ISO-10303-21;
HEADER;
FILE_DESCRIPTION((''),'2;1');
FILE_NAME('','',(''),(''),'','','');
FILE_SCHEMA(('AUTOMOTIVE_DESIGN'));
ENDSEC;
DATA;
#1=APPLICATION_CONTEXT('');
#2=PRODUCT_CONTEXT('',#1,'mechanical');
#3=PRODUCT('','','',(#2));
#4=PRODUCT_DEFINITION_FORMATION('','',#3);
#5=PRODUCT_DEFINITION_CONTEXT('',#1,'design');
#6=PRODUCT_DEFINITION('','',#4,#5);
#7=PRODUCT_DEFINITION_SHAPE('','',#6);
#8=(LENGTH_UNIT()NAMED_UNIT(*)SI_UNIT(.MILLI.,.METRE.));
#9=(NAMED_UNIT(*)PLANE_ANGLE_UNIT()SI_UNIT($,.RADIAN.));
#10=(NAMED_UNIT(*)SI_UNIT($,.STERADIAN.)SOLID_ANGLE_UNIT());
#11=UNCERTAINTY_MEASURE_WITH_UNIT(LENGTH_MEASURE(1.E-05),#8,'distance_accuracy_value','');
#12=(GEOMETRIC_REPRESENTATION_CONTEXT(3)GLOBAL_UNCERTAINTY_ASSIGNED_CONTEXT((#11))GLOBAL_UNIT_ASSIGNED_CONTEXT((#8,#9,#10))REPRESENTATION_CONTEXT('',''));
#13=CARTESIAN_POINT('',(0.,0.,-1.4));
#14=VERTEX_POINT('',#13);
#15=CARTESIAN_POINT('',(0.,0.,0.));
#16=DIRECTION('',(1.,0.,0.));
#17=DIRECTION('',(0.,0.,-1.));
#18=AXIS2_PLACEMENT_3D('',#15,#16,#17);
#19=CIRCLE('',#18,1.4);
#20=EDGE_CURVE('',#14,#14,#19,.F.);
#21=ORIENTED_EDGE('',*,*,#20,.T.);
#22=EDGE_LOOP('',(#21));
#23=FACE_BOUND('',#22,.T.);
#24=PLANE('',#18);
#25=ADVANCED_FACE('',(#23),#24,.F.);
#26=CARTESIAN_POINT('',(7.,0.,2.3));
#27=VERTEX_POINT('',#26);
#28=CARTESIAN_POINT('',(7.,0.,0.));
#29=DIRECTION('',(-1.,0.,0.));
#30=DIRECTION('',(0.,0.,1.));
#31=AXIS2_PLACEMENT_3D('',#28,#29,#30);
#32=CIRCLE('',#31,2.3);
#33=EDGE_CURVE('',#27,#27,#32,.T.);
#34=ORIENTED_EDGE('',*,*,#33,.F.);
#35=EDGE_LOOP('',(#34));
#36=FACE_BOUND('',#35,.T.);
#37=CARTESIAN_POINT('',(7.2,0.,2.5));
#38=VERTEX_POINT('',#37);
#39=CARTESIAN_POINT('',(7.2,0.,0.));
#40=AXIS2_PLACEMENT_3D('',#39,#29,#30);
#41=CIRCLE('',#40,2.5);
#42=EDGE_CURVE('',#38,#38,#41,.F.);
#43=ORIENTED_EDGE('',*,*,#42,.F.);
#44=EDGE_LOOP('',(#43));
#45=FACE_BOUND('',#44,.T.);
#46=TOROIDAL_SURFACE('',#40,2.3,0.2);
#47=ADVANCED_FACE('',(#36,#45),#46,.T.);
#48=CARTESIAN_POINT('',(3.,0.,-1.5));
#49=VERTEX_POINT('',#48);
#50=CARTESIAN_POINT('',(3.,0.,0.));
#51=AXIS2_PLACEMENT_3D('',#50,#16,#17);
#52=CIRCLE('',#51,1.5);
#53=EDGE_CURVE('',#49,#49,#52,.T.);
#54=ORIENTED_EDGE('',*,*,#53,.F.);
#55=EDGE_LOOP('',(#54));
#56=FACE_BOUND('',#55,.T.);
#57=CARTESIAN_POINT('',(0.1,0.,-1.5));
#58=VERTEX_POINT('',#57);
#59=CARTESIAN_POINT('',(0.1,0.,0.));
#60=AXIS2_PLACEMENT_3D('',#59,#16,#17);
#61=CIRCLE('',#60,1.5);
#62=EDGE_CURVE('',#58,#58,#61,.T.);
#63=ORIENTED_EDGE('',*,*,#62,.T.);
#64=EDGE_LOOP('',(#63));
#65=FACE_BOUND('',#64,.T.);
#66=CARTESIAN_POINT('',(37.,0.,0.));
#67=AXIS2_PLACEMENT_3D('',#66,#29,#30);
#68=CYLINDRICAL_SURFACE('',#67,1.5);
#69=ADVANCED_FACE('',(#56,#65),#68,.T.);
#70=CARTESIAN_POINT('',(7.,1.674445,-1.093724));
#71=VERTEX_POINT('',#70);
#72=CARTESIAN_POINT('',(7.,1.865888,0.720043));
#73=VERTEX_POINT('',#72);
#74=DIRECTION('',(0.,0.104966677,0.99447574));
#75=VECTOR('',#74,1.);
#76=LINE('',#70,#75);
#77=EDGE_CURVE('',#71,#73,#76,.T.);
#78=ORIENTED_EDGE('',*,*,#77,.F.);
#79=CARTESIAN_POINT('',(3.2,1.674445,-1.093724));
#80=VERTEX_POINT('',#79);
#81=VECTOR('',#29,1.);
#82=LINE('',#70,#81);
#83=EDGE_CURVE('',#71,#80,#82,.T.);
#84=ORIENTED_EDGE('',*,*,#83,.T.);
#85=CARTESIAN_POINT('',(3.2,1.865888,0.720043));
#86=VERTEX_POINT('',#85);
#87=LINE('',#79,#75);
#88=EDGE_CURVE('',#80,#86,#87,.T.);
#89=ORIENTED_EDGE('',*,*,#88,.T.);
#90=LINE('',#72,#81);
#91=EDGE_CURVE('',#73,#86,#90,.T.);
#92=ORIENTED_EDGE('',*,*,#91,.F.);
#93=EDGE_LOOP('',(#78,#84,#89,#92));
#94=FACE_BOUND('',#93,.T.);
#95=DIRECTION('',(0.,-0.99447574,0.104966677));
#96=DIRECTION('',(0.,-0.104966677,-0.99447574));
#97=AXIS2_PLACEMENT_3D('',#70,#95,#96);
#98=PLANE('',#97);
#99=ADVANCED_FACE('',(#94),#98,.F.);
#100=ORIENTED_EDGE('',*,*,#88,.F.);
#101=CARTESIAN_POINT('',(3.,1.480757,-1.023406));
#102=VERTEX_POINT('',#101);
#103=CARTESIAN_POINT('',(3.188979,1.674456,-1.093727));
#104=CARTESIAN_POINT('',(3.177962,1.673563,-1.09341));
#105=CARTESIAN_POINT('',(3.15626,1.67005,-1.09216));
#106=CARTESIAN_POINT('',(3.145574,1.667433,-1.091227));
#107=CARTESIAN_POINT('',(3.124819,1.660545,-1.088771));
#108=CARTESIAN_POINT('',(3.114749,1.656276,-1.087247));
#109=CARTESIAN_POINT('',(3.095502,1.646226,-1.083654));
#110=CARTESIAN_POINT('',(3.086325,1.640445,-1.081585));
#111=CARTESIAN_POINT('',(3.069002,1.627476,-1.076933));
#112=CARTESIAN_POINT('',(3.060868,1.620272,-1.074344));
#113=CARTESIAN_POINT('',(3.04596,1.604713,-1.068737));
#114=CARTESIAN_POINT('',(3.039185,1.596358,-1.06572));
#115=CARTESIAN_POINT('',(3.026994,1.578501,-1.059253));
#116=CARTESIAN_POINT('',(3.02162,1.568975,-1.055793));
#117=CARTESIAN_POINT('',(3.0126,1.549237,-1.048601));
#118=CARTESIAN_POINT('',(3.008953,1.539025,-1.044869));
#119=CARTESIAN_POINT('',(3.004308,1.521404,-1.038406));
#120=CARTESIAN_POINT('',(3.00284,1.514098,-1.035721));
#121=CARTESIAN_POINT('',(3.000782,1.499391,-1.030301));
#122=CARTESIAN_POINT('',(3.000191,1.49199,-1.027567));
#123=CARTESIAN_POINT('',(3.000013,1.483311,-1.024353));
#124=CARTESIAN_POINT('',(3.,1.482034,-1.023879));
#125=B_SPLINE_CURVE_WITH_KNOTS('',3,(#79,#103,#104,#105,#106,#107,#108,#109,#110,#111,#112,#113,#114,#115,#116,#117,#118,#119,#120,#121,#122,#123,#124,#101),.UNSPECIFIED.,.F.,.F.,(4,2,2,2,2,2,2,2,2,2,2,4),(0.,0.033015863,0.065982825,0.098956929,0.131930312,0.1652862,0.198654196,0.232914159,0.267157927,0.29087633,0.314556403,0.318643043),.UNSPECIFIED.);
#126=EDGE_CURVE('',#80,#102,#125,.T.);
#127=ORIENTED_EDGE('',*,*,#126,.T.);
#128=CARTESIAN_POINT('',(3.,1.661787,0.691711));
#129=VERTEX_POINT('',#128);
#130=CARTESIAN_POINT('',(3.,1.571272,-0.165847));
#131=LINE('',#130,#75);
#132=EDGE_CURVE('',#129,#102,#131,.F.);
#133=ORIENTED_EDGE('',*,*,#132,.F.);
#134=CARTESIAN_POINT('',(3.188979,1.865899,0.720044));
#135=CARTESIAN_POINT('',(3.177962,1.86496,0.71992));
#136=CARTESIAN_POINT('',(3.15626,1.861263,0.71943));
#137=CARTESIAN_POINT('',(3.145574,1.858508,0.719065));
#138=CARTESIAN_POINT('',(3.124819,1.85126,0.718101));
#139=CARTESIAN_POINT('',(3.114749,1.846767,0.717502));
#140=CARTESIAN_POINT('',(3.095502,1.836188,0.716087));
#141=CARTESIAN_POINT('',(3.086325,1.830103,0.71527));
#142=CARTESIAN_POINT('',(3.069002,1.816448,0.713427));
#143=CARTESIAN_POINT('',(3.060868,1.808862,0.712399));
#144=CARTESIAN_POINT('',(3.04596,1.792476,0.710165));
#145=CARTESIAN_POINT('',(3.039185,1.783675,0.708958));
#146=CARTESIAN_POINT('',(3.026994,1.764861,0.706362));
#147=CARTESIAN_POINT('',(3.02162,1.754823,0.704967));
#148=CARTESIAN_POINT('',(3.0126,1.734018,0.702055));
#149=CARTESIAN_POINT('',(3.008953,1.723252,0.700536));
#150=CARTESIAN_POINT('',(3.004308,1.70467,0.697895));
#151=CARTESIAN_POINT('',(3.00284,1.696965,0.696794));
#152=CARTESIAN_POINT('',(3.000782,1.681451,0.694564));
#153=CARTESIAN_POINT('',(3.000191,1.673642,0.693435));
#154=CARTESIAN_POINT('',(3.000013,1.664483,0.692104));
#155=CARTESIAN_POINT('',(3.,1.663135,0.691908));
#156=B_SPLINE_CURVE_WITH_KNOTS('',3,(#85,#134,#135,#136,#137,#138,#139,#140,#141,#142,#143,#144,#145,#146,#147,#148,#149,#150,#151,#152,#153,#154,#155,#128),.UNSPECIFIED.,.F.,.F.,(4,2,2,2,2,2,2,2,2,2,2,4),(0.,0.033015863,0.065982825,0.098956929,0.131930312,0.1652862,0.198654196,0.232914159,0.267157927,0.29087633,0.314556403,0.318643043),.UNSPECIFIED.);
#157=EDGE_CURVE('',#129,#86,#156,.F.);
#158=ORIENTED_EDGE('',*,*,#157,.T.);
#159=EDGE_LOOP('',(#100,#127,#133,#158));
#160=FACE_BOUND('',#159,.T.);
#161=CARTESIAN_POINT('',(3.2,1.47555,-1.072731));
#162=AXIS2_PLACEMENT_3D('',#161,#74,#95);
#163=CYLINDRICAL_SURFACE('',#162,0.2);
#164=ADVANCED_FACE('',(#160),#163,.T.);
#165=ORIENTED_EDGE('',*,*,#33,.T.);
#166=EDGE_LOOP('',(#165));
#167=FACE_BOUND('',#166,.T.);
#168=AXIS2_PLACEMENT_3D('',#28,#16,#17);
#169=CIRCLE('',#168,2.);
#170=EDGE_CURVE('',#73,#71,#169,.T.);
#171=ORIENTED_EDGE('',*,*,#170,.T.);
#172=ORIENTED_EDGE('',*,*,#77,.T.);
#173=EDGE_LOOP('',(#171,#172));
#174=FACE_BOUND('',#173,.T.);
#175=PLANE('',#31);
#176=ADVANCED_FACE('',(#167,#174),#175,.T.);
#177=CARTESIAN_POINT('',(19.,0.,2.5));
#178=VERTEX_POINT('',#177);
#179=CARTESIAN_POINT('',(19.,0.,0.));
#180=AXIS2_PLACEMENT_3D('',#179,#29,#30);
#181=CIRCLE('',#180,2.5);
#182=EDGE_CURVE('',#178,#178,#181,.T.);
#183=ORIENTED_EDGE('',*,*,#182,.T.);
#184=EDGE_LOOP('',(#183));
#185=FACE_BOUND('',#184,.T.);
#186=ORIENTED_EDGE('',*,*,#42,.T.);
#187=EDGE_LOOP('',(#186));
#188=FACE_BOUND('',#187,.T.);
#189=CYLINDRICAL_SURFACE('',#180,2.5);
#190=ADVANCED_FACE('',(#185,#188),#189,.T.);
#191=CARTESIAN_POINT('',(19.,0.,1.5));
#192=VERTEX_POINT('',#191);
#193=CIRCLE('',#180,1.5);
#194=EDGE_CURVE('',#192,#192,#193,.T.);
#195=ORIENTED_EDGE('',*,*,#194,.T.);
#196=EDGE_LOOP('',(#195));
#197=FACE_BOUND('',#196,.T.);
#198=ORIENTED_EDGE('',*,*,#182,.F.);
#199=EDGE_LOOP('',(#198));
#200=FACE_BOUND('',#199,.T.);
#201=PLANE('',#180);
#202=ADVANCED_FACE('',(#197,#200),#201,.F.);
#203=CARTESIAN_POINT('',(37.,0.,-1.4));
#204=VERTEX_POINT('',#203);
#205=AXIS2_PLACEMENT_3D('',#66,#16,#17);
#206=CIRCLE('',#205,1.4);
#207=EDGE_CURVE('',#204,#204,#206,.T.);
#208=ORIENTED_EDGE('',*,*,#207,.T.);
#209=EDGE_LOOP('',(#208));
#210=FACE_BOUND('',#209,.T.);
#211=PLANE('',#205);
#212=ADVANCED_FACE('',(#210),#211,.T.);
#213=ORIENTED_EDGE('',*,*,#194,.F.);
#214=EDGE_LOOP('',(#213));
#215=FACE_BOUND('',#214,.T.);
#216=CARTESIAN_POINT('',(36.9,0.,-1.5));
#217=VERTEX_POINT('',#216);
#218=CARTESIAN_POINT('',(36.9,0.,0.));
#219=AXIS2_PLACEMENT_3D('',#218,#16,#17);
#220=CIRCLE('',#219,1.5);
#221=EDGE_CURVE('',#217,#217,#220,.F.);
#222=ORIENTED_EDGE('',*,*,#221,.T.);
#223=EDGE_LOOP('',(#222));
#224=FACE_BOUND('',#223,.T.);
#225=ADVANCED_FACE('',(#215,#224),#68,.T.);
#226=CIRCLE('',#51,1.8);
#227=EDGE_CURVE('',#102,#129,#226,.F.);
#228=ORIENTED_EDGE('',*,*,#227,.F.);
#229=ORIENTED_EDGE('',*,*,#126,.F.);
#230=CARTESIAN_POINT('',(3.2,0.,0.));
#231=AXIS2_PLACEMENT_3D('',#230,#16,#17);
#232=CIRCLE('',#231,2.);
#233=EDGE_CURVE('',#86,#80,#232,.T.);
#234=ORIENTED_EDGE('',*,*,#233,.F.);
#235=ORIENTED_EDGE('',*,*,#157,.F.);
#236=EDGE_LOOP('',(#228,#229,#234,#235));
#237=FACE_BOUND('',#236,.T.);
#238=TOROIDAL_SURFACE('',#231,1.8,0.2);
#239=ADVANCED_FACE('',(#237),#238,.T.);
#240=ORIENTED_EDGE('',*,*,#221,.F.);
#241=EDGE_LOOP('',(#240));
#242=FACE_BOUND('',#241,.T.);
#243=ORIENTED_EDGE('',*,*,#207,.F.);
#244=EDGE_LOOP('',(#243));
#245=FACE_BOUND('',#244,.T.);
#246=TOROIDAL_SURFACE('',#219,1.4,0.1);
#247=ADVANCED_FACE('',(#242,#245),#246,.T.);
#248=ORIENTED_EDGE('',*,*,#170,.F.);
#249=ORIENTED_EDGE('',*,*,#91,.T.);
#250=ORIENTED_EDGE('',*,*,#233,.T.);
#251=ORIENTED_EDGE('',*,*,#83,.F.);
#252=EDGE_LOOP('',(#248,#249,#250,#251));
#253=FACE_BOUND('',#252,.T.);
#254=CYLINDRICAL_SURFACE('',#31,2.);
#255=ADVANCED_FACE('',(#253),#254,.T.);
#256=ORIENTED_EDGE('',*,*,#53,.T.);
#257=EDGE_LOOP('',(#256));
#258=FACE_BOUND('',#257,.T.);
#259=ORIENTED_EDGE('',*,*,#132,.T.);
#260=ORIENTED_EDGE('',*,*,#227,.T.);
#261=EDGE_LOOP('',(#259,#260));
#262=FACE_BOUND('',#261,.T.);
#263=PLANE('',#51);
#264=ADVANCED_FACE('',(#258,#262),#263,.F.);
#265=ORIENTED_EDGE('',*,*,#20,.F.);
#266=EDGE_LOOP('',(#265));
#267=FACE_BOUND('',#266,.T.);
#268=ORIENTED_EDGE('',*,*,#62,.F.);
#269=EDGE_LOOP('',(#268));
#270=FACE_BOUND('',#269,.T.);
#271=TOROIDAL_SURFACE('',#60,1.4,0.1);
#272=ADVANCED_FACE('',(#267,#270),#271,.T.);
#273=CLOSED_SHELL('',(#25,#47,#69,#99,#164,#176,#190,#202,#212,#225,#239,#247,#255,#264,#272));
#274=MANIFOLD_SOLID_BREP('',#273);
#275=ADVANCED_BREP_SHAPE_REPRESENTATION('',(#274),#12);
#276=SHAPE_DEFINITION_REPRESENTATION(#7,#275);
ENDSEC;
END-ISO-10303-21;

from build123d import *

# Parameters (mm, degrees)
SKETCH_1_R      = 1.5
EXTRUDE_1_DEPTH = 37
EXTRUDE_START   = -7
SKETCH_2_R      = 2.5
SKETCH_2_R_2    = 1
EXTRUDE_2_DEPTH = 12
EXTRUDE_START_2 = 3
SKETCH_3_R      = 1
EXTRUDE_4_DEPTH = 4
FILLET_1_R      = 0.1
FILLET_2_R      = 0.2


with BuildPart() as part:
    # 草图1 → 凸台-拉伸1 (new body)
    with BuildSketch(Plane(origin=(0, 0, 0), x_dir=(0, 0, -1), z_dir=(1, 0, 0))):
        Circle(SKETCH_1_R)
    extrude(amount=EXTRUDE_1_DEPTH)

    # 草图2 → 凸台-拉伸2 (add)
    with BuildSketch(Plane.ZY.offset(EXTRUDE_START)):
        Circle(SKETCH_2_R)
        Circle(SKETCH_2_R_2, mode=Mode.SUBTRACT)
    extrude(amount=-EXTRUDE_2_DEPTH)

    # 草图3 → 凸台-拉伸4 (add)
    with BuildSketch(Plane(origin=(0, 0, 0), x_dir=(0, 0, -1), z_dir=(1, 0, 0)).offset(EXTRUDE_START_2)):
        with BuildLine():
            Line((1.093724045, 1.674445494), (-0.720042675, 1.865888139))
            ThreePointArc((-0.720042675, 1.865888139), (-0.209933354, -1.988951479), (1.093724045, 1.674445494))
        make_face()
        Circle(SKETCH_3_R, mode=Mode.SUBTRACT)
    extrude(amount=EXTRUDE_4_DEPTH)

    # 圆角1
    fillet_1_edges = [part.edges().sort_by_distance(p)[0] for p in [
        (0, 0, 1.5),
        (37, 0, 1.5),
    ]]
    fillet(fillet_1_edges, radius=FILLET_1_R)

    # 圆角2
    fillet_2_edges = [part.edges().sort_by_distance(p)[0] for p in [
        (3, -1.988951479, 0.209933354),
        (3, 1.770166817, -0.186840685),
        (7, 0, -2.5),
    ]]
    fillet(fillet_2_edges, radius=FILLET_2_R)


solid = part.part
